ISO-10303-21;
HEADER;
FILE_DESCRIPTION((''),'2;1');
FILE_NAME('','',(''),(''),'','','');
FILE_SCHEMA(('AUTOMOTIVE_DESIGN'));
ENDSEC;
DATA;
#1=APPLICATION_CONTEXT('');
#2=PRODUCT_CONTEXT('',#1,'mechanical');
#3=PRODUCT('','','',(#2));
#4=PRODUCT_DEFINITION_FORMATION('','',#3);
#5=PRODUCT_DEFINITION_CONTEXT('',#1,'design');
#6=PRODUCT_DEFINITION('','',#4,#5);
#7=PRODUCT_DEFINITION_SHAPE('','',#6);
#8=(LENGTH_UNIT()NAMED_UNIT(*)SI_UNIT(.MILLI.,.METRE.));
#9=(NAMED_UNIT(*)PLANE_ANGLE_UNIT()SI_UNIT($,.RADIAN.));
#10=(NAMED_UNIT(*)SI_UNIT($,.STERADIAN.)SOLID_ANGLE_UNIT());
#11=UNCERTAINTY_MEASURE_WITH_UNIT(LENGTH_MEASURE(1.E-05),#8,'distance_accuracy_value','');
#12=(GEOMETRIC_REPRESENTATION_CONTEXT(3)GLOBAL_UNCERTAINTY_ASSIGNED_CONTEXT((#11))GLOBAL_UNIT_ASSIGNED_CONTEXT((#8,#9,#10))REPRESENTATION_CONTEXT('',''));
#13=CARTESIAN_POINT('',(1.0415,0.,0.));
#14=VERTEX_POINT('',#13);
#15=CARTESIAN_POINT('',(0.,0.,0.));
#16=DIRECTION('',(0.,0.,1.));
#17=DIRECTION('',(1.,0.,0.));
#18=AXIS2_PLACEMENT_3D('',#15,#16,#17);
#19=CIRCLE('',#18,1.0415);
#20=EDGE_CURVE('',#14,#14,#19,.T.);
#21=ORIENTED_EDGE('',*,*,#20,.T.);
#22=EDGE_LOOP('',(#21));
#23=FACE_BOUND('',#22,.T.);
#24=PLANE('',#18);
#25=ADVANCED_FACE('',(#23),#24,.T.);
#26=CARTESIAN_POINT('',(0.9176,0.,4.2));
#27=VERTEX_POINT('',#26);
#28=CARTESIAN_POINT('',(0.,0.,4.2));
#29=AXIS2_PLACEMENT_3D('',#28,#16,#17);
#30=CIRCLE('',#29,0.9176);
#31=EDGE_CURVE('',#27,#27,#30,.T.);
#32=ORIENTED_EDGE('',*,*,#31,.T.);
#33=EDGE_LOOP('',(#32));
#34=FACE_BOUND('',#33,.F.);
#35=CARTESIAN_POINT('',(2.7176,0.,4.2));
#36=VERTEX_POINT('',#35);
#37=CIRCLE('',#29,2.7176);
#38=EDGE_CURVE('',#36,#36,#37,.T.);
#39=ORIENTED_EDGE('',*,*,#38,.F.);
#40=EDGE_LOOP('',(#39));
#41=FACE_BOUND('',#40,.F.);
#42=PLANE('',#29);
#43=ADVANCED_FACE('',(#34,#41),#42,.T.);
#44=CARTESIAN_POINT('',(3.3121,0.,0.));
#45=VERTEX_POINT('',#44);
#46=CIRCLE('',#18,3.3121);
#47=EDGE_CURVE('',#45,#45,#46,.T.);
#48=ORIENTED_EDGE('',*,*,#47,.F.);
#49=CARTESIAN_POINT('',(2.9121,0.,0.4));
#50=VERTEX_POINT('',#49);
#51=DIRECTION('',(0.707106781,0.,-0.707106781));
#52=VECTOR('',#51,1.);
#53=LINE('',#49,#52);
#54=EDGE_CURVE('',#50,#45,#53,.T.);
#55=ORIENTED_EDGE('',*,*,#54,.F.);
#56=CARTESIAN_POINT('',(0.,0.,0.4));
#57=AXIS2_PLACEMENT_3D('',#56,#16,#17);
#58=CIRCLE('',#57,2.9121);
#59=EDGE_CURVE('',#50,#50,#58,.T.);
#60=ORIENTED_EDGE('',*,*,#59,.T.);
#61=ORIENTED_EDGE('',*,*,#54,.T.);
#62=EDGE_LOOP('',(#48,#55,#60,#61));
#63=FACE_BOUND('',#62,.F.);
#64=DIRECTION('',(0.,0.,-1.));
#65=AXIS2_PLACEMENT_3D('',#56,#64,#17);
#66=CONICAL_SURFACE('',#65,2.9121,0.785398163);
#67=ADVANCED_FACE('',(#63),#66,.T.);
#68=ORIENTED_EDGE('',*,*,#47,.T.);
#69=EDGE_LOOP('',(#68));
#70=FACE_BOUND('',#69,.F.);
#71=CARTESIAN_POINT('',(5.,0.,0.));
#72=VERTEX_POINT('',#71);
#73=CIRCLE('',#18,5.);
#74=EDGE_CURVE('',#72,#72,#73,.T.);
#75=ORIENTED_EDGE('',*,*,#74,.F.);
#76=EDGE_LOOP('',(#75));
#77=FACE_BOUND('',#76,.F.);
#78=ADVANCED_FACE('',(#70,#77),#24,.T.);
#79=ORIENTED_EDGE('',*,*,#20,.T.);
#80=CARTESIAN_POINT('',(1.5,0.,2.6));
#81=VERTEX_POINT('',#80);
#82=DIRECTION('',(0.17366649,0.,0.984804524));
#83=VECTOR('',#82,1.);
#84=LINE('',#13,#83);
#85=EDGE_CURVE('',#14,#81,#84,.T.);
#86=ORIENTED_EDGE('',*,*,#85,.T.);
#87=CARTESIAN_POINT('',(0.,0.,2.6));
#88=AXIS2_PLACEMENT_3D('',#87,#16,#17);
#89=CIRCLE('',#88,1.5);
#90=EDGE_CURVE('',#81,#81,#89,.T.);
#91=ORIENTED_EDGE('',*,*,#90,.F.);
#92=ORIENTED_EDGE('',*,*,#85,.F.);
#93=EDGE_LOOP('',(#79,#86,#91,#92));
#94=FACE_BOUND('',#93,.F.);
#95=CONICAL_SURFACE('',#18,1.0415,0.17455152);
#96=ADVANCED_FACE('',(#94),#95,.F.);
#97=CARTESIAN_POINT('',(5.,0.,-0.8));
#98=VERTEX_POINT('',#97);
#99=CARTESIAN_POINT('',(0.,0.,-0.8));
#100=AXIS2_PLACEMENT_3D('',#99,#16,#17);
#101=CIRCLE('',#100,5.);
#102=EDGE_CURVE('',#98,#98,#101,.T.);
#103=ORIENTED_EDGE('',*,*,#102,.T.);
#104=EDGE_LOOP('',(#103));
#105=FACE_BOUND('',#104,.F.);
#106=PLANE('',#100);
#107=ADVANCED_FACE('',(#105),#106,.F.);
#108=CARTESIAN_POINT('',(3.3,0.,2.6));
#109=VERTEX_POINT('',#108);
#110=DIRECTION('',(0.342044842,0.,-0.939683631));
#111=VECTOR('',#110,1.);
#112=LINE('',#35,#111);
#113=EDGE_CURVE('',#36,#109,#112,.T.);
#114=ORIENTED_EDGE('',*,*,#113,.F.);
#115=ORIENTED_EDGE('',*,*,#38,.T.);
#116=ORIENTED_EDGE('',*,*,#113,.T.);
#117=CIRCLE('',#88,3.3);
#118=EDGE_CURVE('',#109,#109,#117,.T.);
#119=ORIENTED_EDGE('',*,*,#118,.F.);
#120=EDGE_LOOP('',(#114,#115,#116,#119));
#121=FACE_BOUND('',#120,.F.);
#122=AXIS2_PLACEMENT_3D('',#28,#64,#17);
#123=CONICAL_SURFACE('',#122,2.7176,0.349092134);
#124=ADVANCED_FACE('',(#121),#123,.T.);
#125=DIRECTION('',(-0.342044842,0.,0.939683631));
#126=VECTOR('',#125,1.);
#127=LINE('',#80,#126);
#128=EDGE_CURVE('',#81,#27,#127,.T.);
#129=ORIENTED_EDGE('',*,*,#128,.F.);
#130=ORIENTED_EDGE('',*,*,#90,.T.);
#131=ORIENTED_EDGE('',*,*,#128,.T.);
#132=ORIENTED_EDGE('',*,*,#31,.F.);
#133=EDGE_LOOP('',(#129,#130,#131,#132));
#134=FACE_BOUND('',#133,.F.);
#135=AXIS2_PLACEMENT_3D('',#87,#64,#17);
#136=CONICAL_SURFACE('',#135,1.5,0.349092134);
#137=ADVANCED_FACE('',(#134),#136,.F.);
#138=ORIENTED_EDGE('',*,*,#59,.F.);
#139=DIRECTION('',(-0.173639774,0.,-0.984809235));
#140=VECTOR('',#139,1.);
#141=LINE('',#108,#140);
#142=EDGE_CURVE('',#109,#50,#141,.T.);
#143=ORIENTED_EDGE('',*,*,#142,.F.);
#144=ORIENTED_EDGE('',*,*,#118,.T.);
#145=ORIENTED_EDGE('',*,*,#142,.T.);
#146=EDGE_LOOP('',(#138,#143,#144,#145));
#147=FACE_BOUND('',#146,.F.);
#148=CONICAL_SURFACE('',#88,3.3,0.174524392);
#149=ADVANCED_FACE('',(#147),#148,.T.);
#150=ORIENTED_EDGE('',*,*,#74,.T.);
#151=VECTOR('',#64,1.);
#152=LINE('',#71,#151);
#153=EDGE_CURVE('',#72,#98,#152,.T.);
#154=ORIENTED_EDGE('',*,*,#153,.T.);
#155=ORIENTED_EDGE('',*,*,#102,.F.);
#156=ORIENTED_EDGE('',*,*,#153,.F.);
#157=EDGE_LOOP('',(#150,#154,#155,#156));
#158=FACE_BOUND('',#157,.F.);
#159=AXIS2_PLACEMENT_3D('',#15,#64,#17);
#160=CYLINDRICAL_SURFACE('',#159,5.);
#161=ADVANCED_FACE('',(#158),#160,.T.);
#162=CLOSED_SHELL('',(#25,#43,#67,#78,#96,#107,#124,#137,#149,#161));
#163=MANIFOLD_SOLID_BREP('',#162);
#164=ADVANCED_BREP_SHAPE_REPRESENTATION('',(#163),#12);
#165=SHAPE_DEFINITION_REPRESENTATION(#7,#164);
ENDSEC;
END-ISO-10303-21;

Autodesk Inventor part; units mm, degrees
ref_plane "YZ Plane" through (0, 0, 0) normal (1, 0, 0) x (0, 1, 0)
ref_plane "XZ Plane" through (0, 0, 0) normal (0, 1, 0) x (-1, 0, 0)
ref_plane "XY Plane" through (0, 0, 0) normal (0, 0, 1) x (1, 0, 0)
sketch "Skizze1" plane through (0, 0, 0) normal (0, 1, 0) x (-1, 0, 0)
  line L0 (-6, 0) -> (1, 0) construction
  line L1 (-1.0415, 0) -> (-1.5, 2.6)
  line L2 (-1.5, 2.6) -> (-0.9176, 4.2)
  line L3 (-0.9176, 4.2) -> (-2.7176, 4.2)
  line L4 (-2.7176, 4.2) -> (-3.3, 2.6)
  line L5 (-3.3, 2.6) -> (-2.9121, 0.4)
  line L6 (-1.5, 2.6) -> (-3.3, 2.6) construction
  line L7 (-2.9121, 0.4) -> (-3.3121, 0)
  line L8 (-3.3121, 0) -> (-5, 0)
  line L9 (-5, 0) -> (-5, -0.8)
  line L10 (-5, -0.8) -> (0, -0.8)
  line L11 (0, -0.8) -> (0, 0)
  line L12 (-1.0415, 0) -> (0, 0)
  line L13 (0, -0.8) -> (0, 4.2)
  dimension "d0" = 80
  dimension "d1" = 70
  dimension "d2" = 1.8
  dimension "d3" = 2.6
  dimension "d4" = 1.6
  dimension "d21" = 45
  dimension "d22" = 0.4
  dimension "d23" = 0.8
  dimension "d24" = 10
  dimension "d26" = 6.6
revolve "Umdrehung1" add sketch "Skizze1" angle 360 about axis through (0, 0, -0.8) along (0, 0, 1)
properties part number "Druckknopf" material "Gummi, Silikon"
